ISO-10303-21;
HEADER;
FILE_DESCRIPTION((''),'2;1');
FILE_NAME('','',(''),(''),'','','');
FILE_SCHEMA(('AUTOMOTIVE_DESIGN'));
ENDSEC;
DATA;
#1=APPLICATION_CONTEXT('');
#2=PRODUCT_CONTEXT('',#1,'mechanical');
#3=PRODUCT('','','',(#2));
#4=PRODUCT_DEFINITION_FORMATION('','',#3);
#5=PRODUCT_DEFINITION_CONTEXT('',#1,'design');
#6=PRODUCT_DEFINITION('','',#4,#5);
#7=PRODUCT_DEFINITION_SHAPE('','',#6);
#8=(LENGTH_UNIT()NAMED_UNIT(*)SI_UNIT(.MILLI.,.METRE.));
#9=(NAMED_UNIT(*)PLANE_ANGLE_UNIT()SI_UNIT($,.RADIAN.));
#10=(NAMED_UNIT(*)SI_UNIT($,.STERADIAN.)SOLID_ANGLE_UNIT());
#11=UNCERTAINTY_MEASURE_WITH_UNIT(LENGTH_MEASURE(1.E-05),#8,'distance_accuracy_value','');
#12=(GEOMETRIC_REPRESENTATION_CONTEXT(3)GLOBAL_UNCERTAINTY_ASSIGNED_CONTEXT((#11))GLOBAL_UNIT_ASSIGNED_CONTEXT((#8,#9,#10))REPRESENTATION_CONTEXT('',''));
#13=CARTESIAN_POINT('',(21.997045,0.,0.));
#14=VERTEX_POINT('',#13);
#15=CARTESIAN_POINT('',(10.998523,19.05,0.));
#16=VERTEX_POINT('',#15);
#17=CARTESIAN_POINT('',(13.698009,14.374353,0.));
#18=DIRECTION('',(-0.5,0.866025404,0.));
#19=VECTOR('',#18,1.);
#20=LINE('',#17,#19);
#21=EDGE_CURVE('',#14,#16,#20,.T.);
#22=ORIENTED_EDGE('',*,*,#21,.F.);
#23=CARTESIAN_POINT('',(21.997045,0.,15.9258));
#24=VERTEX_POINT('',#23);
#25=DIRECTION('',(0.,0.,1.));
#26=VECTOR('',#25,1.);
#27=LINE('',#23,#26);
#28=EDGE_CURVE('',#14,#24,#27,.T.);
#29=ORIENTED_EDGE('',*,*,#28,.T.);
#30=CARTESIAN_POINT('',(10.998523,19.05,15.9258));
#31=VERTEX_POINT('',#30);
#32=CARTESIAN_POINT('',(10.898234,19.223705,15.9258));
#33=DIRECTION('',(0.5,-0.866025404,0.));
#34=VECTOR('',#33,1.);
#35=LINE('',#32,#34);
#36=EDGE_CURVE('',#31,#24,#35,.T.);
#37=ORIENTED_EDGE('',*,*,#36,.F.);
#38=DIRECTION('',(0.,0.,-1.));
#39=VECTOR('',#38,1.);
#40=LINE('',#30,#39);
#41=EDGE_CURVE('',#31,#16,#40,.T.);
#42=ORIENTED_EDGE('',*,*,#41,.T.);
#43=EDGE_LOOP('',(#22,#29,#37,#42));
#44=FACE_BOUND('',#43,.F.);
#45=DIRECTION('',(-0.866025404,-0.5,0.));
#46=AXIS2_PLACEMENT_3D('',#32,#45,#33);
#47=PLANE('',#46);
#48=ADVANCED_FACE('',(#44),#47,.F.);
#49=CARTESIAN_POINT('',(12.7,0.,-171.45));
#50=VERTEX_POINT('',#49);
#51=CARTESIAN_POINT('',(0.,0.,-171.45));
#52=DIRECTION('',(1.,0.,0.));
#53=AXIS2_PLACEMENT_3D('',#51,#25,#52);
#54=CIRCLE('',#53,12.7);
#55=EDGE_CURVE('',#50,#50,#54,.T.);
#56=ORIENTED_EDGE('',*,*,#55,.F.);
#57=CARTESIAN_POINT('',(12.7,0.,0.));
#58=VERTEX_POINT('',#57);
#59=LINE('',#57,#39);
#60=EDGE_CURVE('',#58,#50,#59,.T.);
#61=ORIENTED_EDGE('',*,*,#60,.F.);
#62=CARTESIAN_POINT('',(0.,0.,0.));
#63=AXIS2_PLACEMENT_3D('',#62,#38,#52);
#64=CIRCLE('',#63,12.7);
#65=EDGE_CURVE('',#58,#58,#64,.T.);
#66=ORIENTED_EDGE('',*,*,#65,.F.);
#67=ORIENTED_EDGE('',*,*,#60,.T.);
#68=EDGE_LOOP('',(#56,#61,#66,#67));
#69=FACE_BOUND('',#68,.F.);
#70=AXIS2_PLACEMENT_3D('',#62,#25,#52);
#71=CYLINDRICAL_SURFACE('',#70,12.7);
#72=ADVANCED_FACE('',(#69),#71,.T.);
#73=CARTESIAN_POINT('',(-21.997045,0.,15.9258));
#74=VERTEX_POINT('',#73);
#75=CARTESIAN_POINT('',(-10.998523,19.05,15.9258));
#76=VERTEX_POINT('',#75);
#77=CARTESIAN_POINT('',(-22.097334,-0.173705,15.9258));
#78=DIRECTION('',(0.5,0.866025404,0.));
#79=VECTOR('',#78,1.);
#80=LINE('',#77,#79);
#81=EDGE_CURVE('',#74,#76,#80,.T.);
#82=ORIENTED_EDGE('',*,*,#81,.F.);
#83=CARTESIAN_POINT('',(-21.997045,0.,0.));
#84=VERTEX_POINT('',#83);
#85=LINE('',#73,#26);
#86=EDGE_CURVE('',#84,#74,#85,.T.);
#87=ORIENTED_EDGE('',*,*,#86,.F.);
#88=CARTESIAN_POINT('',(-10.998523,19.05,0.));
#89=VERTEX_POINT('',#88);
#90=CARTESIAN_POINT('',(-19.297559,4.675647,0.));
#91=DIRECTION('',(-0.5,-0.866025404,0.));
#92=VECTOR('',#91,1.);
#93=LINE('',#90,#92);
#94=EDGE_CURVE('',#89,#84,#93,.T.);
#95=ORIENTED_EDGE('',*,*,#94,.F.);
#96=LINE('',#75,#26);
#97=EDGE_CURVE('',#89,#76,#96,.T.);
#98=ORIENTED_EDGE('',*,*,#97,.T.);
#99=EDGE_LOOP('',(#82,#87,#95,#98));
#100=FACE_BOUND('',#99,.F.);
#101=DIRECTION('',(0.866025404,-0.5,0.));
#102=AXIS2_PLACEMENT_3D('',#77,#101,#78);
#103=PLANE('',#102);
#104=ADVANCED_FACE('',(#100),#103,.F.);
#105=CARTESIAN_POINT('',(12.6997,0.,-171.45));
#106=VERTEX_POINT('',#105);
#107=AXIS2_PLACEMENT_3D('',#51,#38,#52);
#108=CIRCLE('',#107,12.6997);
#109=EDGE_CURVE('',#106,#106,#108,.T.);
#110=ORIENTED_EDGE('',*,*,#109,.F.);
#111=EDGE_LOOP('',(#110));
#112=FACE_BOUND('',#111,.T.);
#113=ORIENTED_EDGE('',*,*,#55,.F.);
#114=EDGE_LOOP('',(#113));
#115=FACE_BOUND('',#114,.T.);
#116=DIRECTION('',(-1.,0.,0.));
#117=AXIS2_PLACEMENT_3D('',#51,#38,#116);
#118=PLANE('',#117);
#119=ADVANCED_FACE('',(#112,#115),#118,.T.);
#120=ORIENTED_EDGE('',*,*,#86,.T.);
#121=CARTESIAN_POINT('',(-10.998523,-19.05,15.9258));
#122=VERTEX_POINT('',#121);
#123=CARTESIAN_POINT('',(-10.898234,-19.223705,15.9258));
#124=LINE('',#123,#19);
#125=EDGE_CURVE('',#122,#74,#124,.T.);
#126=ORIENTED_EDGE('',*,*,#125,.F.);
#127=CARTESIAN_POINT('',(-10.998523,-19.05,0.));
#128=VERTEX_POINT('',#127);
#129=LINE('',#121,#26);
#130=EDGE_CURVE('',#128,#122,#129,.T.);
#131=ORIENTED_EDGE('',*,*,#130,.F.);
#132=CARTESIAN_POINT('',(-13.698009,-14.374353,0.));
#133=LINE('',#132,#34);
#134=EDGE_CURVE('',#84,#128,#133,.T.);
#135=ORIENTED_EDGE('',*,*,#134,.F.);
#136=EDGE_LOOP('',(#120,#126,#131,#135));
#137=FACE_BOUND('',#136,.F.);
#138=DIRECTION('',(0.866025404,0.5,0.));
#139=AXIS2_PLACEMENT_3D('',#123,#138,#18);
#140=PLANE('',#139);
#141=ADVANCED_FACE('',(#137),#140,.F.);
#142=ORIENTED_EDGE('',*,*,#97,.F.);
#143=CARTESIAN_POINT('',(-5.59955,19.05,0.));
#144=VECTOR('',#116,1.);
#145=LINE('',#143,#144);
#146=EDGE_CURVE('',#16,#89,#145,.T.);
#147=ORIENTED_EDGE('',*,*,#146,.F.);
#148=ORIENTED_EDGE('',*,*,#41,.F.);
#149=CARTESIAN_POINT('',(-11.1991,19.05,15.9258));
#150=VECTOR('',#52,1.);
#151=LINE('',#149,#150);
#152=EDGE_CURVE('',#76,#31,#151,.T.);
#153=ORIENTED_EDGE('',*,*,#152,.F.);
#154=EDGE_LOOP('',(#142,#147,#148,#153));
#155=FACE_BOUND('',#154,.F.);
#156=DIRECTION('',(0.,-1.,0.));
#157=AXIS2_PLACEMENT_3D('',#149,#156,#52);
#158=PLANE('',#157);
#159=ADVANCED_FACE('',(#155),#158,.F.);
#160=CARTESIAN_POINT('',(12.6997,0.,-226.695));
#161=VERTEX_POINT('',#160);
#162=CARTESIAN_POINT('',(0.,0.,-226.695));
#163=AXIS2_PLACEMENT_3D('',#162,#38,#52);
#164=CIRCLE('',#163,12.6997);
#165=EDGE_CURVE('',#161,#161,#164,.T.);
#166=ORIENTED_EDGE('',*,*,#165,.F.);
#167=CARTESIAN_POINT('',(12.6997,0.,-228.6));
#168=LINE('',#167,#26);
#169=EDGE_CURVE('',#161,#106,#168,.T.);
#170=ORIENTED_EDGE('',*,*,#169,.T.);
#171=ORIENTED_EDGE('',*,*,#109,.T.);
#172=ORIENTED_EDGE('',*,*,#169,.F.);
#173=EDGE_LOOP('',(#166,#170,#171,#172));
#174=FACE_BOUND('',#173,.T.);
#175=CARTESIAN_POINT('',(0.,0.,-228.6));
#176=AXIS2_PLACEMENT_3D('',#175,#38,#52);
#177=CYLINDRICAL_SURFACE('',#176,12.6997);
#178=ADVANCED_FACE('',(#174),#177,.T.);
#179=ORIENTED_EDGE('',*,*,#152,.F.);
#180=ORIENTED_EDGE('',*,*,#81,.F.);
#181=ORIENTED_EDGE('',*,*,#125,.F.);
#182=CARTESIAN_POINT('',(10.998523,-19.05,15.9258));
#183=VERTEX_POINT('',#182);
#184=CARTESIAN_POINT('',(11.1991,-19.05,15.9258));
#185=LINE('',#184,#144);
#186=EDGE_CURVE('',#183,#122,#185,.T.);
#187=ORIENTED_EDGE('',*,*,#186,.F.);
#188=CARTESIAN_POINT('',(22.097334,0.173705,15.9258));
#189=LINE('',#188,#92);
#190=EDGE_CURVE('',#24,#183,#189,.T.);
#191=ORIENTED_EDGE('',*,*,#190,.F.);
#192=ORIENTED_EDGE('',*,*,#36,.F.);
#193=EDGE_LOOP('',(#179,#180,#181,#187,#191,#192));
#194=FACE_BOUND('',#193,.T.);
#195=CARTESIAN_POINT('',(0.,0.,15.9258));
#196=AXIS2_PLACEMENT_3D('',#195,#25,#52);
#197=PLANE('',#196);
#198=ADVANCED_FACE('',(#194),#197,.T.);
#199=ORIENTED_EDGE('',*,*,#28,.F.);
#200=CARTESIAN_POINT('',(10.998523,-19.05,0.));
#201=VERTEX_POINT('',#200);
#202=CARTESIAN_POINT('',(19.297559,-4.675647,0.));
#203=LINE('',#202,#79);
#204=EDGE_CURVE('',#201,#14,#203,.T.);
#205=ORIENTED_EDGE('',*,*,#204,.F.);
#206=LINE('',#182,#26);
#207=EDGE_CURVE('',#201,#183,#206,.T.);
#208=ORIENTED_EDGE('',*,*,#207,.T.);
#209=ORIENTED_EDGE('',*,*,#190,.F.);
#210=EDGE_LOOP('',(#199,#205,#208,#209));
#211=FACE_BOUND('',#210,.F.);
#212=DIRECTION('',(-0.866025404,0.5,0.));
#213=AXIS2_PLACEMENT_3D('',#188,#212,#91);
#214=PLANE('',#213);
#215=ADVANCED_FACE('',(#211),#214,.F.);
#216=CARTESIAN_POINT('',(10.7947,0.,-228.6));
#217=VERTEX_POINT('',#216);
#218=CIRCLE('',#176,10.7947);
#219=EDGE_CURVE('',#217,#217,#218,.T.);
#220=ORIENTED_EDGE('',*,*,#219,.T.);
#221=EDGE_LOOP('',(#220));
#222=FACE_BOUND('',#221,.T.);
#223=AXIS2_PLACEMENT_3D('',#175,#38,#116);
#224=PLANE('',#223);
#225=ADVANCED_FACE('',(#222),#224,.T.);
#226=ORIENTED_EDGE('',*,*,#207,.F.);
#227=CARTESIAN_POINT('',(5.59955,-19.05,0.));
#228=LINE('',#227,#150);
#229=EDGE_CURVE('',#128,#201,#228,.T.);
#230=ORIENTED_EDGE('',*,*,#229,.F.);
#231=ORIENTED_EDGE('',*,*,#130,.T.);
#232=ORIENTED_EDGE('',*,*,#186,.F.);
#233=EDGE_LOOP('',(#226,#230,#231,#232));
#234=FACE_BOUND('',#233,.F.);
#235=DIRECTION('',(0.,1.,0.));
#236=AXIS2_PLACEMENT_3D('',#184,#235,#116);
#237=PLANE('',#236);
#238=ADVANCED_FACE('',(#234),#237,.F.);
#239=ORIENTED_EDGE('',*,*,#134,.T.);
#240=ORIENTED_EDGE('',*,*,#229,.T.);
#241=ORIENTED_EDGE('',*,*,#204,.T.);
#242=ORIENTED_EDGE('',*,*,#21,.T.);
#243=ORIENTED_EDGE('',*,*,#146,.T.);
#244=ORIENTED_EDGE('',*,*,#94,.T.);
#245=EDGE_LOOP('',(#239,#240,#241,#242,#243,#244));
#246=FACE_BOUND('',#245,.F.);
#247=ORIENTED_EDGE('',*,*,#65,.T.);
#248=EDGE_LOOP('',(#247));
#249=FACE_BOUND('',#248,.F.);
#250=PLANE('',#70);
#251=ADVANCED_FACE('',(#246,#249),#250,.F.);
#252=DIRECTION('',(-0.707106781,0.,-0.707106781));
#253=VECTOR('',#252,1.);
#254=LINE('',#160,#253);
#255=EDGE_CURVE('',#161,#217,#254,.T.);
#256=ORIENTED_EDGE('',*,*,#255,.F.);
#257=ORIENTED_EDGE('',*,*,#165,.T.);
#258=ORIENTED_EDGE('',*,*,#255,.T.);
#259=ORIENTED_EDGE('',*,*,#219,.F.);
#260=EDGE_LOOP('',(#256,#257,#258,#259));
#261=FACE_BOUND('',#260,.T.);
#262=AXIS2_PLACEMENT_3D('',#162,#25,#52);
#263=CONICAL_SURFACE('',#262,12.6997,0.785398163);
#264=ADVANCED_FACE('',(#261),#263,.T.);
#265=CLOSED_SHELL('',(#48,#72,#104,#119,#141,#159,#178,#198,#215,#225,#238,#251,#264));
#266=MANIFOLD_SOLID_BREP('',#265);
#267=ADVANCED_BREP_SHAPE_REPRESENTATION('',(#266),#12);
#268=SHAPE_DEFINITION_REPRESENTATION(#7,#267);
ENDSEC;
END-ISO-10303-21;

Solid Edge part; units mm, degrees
sketch "Sketch1" plane through (0, 0, 0) normal (0, 0, 1) x (1, 0, 0)
  circle A0 centre (0, 0) radius 22.098
  dimension "D1" = 44.196
extrude "Protrusion1" add sketch "Sketch1" along normal blind 15.9258
sketch "Sketch2" plane through (0, 0, 0) normal (0, 0, -1) x (1, 0, 0)
  circle A0 centre (0, 0) radius 12.7
extrude "Protrusion2" add sketch "Sketch2" along normal blind 228.6
sketch "Sketch3" plane through (0, 0, -228.6) normal (0, 0, -1) x (1, 0, 0)
  circle A0 centre (0, 0) radius 12.6997
extrude "Cutout1" cut sketch "Sketch3" against normal blind 57.15 flip side to cut
chamfer "Chamfer_1" distance 1.905 angle 45 1 edges at (-12.6997, 0, -228.6)
sketch "Sketch4" plane through (0, 0, 15.9258) normal (0, 0, 1) x (1, 0, 0)
  line L0 (-11.1991, 19.05) -> (11.1991, 19.05)
  dimension "D1" = 38.1
extrude "Cutout2" cut sketch "Sketch4" against normal up to next material side at (0, 19.1, 15.9258)
pattern_circular "Pattern1" count 6 over 360 about axis through (0, 0, 15.9258) along (0, 0, 1) of "Cutout2"
properties part number "137279"
